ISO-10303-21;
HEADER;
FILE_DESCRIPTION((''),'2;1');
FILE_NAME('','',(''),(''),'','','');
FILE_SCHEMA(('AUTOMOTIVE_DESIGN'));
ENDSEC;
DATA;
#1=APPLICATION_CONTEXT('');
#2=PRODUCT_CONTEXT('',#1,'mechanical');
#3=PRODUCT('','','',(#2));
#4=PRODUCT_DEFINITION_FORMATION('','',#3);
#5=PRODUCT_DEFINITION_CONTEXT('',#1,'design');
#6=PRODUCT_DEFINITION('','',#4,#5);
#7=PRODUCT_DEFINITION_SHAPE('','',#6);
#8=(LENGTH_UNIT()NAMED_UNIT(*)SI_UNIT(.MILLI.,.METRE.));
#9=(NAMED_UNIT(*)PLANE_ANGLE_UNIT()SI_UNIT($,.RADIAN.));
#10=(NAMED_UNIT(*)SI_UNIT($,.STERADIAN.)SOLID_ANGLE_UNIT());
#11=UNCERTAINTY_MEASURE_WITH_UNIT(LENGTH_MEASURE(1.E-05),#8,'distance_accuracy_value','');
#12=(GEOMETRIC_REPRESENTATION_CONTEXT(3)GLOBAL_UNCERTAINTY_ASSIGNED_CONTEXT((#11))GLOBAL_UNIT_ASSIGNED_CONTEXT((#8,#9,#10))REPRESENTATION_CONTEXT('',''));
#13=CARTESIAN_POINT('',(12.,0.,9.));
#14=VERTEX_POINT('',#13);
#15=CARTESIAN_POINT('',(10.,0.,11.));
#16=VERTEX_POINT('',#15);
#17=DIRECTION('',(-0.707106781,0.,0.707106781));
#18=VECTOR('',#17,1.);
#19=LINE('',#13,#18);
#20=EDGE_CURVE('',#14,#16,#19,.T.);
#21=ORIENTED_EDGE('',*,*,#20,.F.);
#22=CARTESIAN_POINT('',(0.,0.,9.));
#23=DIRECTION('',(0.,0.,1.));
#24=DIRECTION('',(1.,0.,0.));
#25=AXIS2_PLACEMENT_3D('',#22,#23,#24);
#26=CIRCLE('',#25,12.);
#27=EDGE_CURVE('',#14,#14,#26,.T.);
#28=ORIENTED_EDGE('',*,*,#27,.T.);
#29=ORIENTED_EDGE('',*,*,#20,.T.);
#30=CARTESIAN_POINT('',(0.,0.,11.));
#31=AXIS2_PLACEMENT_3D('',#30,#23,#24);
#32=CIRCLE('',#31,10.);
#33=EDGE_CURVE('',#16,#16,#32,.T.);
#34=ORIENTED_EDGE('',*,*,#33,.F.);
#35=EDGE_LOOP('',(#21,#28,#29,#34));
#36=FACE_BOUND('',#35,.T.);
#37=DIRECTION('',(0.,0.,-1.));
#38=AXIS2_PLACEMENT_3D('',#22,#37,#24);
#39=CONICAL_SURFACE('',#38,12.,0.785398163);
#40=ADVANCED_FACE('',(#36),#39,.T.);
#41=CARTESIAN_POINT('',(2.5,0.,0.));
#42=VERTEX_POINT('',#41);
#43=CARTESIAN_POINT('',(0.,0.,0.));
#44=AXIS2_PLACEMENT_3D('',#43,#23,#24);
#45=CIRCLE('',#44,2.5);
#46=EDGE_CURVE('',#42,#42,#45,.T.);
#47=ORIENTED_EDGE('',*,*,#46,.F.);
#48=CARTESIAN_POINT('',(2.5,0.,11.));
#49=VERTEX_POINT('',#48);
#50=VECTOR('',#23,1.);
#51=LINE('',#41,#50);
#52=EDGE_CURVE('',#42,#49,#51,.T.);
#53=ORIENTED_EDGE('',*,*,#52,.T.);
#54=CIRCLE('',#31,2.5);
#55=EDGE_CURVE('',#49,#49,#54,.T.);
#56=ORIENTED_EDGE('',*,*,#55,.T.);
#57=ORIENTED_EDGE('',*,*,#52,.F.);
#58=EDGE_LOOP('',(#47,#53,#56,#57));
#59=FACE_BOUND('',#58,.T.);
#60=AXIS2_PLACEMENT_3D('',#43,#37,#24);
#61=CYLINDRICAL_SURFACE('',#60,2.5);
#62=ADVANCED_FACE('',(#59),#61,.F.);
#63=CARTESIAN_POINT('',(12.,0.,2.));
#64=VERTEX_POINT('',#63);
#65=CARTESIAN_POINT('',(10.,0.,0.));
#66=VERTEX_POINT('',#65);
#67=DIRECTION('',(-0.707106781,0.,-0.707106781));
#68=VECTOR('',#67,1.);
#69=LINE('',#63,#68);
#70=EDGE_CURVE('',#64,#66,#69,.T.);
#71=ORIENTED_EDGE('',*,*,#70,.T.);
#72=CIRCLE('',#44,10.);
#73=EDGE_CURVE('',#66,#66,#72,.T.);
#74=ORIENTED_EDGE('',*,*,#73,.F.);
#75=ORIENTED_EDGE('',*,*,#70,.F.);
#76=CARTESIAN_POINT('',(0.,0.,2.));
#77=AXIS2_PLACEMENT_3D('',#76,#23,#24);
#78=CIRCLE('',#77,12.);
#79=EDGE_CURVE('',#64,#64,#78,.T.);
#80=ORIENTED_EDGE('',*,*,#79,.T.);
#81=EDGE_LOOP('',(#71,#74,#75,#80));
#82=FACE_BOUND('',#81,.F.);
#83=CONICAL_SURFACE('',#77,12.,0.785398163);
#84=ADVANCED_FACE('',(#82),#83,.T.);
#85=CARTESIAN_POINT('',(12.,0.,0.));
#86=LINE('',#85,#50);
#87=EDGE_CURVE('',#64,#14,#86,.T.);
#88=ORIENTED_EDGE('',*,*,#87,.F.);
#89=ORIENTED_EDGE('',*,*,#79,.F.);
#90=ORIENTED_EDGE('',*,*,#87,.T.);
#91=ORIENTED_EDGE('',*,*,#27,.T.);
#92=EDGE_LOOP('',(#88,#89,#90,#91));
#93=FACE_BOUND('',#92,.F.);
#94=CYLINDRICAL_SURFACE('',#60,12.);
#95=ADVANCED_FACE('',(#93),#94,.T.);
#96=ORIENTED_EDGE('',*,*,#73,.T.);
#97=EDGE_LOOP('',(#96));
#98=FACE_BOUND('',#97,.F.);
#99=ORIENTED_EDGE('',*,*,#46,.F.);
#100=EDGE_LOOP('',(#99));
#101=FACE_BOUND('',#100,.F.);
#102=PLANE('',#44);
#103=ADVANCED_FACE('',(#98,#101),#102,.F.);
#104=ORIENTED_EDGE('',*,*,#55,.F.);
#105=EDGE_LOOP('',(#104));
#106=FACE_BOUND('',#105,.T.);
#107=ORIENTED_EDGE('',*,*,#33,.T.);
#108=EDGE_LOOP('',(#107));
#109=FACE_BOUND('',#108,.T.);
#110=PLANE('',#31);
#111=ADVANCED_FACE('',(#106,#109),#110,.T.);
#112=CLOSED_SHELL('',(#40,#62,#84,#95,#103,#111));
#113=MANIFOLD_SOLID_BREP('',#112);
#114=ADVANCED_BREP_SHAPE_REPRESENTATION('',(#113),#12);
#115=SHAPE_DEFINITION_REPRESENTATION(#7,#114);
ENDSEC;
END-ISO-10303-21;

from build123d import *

# Parameters (mm, degrees)
SKETCH_R     = 12
SKETCH_R_2   = 2.5
PAD_DEPTH    = 11
CHAMFER_SIZE = 2


with BuildPart() as part:
    # Sketch → Pad (new body)
    with BuildSketch(Plane.XY):
        Circle(SKETCH_R)
        Circle(SKETCH_R_2, mode=Mode.SUBTRACT)
    extrude(amount=PAD_DEPTH)

    # Chamfer
    chamfer_edges = [part.edges().sort_by_distance(p)[0] for p in [
        (-12, 0, 11),
        (-12, 0, 0),
    ]]
    chamfer(chamfer_edges, length=CHAMFER_SIZE)


solid = part.part
